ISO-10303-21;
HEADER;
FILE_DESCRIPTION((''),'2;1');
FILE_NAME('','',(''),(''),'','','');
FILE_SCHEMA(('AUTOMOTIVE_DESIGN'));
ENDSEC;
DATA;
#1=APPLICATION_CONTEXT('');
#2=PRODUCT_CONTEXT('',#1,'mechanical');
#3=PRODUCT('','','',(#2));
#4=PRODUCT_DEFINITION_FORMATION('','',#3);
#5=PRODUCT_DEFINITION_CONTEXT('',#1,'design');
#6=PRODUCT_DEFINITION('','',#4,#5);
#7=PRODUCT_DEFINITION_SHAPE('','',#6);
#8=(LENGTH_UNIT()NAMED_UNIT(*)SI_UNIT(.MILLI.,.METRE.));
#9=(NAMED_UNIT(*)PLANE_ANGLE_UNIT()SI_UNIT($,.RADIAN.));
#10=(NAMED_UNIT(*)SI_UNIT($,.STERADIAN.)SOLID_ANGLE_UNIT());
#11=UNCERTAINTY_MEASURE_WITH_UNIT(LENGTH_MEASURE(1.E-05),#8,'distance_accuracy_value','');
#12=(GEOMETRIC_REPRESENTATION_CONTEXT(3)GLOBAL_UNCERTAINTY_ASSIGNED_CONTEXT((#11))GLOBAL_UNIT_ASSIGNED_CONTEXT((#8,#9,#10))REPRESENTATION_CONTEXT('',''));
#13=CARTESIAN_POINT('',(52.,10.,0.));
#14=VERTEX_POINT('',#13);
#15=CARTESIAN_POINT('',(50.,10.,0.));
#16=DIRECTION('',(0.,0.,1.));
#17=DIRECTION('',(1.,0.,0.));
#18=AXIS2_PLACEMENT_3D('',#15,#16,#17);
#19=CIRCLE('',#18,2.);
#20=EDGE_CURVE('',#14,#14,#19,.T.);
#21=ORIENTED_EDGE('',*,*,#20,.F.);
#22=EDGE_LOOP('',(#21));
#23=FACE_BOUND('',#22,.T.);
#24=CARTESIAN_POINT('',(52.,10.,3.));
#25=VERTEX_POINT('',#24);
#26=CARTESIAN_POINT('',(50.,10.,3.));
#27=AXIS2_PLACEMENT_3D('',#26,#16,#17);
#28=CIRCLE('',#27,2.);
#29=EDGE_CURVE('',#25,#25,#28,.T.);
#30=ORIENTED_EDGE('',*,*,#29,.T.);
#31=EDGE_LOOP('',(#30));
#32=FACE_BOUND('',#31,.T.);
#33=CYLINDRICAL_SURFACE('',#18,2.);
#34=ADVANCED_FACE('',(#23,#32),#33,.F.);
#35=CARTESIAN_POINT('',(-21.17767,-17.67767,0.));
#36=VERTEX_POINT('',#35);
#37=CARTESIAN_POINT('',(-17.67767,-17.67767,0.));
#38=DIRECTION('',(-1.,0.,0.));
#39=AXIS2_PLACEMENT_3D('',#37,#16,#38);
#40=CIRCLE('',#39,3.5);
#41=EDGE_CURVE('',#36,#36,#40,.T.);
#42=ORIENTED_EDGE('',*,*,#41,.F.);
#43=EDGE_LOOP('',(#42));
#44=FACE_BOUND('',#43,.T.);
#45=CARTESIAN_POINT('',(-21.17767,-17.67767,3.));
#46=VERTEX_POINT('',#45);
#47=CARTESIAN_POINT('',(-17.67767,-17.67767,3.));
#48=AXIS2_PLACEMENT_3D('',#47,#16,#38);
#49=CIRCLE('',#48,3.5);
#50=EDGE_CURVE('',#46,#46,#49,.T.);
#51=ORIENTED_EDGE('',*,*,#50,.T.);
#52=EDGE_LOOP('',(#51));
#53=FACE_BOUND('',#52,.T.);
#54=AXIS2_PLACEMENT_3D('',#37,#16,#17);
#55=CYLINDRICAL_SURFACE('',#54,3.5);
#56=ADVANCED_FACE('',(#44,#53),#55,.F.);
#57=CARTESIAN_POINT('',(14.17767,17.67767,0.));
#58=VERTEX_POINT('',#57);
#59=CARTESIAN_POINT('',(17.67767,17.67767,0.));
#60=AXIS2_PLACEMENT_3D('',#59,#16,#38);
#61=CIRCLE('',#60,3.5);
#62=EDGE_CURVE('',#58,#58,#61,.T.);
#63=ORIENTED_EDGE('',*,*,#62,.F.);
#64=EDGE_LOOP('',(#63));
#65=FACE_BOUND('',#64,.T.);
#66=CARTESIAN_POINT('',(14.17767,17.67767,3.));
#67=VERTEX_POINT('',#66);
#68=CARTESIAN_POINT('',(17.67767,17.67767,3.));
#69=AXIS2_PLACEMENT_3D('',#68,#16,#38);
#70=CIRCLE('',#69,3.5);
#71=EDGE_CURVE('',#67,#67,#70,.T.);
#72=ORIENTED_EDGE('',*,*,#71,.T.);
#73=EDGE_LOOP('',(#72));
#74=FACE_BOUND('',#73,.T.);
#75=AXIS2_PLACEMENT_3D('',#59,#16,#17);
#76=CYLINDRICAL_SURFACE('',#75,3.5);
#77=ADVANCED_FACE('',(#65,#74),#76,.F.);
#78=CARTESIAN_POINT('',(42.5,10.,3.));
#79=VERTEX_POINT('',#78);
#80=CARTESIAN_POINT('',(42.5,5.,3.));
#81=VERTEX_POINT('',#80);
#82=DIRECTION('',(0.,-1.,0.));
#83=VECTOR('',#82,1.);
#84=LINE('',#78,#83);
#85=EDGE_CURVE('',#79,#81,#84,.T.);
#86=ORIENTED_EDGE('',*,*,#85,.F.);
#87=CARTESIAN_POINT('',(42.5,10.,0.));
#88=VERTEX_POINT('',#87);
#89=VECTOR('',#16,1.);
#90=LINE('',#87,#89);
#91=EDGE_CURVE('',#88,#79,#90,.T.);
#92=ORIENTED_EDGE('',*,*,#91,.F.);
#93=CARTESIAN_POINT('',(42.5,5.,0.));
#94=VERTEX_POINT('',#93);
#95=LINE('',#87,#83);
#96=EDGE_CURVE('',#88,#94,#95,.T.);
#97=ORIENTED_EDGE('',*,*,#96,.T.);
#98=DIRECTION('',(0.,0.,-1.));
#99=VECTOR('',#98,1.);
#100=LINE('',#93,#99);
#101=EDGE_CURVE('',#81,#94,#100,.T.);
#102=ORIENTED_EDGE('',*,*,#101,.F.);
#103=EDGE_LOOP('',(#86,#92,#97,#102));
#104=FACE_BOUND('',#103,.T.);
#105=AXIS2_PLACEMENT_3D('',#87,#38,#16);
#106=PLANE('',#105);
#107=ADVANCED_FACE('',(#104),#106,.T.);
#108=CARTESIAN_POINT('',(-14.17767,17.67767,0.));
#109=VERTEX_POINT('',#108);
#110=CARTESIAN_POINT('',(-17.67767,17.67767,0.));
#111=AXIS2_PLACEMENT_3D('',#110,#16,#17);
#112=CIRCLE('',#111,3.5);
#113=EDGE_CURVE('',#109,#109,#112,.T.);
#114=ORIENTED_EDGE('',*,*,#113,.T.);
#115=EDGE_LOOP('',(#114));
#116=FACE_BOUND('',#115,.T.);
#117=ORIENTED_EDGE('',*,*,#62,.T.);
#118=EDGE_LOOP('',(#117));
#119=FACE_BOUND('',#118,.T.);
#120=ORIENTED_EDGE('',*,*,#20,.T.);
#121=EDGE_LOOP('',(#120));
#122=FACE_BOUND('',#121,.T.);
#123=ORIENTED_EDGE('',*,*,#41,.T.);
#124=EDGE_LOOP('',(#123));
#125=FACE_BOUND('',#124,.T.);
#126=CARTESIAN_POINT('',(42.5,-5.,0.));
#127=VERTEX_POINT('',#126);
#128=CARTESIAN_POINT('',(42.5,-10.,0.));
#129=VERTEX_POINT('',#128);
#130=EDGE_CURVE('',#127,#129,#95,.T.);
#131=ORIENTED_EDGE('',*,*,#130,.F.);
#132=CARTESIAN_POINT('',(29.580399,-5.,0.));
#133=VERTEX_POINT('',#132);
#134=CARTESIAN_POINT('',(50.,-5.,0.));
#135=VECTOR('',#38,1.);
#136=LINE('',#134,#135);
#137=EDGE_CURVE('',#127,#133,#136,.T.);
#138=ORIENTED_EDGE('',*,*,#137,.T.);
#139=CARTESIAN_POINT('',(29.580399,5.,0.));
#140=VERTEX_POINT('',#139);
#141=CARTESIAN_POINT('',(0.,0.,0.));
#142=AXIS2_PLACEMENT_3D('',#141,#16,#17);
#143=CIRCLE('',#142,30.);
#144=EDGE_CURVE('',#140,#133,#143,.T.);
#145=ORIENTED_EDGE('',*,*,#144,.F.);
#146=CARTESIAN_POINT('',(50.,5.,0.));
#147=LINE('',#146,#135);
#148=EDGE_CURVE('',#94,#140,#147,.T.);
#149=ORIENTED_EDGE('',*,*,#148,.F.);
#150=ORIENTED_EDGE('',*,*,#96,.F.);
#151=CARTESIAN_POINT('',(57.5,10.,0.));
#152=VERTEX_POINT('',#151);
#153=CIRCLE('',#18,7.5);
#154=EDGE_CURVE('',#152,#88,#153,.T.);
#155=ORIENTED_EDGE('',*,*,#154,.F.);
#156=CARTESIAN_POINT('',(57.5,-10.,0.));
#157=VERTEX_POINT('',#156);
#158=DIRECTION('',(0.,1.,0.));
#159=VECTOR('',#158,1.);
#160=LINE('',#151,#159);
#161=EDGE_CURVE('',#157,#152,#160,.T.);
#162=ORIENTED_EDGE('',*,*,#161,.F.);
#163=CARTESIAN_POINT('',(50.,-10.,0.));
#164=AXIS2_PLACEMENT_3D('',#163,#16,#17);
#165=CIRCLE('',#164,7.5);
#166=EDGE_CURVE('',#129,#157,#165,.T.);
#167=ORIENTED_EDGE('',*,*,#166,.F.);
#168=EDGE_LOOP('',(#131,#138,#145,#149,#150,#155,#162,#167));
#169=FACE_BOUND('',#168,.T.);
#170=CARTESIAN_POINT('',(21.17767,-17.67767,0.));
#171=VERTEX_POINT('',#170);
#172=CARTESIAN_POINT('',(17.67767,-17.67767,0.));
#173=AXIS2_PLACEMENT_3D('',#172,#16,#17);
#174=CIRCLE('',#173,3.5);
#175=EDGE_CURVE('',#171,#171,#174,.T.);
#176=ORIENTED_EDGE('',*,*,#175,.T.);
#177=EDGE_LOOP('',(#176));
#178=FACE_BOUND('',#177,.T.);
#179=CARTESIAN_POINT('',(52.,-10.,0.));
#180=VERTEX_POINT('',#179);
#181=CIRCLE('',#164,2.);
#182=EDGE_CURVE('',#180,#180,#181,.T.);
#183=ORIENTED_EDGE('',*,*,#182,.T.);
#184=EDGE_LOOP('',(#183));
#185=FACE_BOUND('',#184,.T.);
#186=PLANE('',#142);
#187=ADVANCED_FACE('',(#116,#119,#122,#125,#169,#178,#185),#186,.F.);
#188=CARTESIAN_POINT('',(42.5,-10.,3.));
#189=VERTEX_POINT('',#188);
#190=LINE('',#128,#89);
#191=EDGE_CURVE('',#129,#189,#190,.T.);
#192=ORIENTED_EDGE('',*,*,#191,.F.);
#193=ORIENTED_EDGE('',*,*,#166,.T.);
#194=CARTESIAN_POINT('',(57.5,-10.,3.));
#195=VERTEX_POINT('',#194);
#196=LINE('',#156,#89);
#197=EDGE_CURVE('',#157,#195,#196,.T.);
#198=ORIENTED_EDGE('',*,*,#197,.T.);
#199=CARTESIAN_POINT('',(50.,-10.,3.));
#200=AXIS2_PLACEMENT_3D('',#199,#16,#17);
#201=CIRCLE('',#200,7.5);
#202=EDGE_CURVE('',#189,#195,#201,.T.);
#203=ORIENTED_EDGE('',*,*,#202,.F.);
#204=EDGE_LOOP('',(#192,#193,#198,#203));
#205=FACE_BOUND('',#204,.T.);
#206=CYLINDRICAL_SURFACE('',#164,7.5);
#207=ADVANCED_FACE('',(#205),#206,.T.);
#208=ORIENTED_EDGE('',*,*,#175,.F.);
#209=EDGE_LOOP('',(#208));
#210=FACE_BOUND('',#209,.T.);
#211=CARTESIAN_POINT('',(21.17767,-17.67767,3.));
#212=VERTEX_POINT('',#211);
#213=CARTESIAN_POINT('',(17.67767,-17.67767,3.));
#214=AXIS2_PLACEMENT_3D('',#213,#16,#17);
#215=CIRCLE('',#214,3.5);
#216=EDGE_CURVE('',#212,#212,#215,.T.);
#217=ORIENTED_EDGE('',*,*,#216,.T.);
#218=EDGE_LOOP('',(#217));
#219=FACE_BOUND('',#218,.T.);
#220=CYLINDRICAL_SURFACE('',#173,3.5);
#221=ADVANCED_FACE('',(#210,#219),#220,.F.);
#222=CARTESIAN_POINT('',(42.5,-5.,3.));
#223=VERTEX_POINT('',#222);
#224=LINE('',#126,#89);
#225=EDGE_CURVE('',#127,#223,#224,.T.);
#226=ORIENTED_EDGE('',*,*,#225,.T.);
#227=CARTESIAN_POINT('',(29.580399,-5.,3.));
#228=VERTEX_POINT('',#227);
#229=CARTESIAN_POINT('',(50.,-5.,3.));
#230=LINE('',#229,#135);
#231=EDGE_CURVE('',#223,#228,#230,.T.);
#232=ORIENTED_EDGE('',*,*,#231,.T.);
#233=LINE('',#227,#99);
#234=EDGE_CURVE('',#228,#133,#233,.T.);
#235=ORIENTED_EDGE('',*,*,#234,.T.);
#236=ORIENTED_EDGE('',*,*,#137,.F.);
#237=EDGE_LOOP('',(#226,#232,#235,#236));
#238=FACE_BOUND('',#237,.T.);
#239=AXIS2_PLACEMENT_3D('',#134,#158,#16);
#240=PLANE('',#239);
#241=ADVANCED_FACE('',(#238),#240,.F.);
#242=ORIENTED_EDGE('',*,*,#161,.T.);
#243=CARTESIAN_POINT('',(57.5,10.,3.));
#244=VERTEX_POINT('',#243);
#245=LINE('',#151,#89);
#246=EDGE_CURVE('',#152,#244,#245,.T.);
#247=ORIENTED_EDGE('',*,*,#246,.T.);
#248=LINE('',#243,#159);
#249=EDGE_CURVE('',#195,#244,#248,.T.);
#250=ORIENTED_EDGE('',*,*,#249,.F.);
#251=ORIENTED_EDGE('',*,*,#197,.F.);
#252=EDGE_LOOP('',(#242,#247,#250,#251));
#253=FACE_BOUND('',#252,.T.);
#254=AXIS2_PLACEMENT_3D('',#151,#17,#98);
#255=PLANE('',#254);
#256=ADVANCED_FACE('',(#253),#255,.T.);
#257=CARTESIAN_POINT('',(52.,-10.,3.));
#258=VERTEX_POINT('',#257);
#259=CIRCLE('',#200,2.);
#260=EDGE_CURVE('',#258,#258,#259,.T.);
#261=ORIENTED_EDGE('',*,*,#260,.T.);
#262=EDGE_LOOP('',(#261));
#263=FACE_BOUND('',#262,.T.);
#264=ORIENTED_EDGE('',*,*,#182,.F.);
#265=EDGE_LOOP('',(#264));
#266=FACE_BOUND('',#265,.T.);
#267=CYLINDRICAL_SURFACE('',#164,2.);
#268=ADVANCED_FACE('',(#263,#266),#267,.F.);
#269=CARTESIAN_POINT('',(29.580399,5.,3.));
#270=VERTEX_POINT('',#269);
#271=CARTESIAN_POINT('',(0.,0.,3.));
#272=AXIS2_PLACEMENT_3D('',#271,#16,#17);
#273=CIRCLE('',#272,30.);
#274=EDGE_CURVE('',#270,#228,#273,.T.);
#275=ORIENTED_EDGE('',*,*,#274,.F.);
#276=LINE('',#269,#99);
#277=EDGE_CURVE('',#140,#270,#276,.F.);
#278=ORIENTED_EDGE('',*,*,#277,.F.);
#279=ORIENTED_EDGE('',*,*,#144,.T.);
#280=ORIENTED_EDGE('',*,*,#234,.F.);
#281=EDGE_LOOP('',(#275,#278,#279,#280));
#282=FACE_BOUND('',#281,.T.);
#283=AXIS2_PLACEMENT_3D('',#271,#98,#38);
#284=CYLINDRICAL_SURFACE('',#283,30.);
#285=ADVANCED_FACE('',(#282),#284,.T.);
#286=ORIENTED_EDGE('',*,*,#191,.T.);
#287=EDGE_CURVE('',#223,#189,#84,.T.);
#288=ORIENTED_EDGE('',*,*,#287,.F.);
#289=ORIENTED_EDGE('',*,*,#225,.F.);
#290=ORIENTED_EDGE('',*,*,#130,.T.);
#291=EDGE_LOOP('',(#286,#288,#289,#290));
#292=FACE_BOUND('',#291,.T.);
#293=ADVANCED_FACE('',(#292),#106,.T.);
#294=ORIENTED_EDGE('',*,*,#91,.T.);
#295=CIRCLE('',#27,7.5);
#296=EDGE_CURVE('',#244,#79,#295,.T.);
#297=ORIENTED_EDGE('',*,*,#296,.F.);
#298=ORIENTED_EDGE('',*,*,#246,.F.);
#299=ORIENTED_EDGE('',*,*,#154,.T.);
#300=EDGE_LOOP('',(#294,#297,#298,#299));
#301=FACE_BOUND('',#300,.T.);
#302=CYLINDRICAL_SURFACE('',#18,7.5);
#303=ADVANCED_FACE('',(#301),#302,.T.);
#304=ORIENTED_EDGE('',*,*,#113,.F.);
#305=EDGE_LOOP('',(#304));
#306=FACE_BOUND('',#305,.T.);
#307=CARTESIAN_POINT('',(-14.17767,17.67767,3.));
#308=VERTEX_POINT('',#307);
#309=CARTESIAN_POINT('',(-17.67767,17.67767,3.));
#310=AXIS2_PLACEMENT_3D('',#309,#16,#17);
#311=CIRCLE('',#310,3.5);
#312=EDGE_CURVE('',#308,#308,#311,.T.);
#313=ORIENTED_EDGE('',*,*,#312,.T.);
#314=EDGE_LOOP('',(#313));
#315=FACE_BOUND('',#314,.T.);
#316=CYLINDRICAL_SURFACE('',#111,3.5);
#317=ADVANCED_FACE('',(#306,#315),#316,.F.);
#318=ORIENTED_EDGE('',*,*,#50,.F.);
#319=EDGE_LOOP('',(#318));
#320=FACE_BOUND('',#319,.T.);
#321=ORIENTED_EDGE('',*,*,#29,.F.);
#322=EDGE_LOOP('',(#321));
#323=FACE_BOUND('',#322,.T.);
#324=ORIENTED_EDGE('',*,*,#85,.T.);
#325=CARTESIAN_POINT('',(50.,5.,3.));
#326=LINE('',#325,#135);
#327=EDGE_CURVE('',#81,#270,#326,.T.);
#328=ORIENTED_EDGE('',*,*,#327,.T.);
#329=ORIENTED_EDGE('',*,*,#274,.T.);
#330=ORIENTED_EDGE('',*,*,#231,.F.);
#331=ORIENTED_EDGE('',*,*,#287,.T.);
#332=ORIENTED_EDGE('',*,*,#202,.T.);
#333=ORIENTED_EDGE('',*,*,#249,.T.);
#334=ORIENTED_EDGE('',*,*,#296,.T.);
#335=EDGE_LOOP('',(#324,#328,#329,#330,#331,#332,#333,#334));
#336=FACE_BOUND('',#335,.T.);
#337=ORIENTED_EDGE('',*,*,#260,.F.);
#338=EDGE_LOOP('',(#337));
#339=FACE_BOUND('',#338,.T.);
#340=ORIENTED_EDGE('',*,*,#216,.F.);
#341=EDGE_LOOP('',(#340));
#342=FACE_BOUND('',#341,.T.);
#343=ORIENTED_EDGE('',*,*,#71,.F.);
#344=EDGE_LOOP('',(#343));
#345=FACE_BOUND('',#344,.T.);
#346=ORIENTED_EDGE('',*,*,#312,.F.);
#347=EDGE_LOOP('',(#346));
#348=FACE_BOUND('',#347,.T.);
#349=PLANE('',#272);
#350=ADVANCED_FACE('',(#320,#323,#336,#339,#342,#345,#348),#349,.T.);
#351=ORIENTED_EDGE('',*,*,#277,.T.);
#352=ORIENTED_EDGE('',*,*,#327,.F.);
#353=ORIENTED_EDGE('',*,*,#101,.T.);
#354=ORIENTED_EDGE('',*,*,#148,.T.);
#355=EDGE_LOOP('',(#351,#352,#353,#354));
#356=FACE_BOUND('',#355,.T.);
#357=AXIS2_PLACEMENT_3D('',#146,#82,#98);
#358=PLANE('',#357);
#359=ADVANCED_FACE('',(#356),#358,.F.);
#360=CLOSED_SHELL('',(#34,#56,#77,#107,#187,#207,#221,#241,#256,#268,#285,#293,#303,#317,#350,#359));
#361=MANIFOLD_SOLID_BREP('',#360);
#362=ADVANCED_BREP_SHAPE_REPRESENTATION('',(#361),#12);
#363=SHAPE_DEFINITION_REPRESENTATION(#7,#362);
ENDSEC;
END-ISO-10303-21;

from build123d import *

# Parameters (mm, degrees)
SKETCH_2_R          = 30
EXTRUDE_1_DEPTH     = 3
SKETCH_3_R          = 3.5
CUT_EXTRUDE_1_DEPTH = 3
SKETCH_4_W          = 3
SKETCH_4_H          = 10
EXTRUDE_2_DEPTH     = 50
EXTRUDE_3_DEPTH     = 3
SKETCH_7_R          = 2
CUT_EXTRUDE_2_DEPTH = 3


with BuildPart() as part:
    # 草图2 → 凸台-拉伸1 (new body)
    with BuildSketch(Plane.XY):
        Circle(SKETCH_2_R)
    extrude(amount=EXTRUDE_1_DEPTH)

    # 草图3 → 切除-拉伸1 (cut)
    with BuildSketch(Plane.XY.offset(3)):
        with Locations((-17.67766953, 17.67766953)):
            Circle(SKETCH_3_R)
        with Locations(Location((17.67766953, 17.67766953, 0), (0, 0, 180))):
            Circle(SKETCH_3_R)
        with Locations((17.67766953, -17.67766953)):
            Circle(SKETCH_3_R)
        with Locations(Location((-17.67766953, -17.67766953, 0), (0, 0, 180))):
            Circle(SKETCH_3_R)
    extrude(amount=-CUT_EXTRUDE_1_DEPTH, mode=Mode.SUBTRACT)

    # 草图4 → 凸台-拉伸2 (add)
    with BuildSketch(Plane(origin=(0, 0, 0), x_dir=(0, 0, -1), z_dir=(1, 0, 0))):
        with Locations((-1.5, 0)):
            Rectangle(SKETCH_4_W, SKETCH_4_H)
    extrude(amount=EXTRUDE_2_DEPTH)

    # 草图5 → 凸台-拉伸3 (add)
    with BuildSketch(Plane.XY.offset(3)):
        with BuildLine():
            Line((57.5, 10), (57.5, -10))
            ThreePointArc((57.5, -10), (50, -17.5), (42.5, -10))
            Line((42.5, -10), (42.5, 10))
            ThreePointArc((42.5, 10), (50, 17.5), (57.5, 10))
        make_face()
    extrude(amount=-EXTRUDE_3_DEPTH)

    # 草图7 → 切除-拉伸2 (cut)
    with BuildSketch(Plane.XY.offset(3)):
        with Locations((50, 10)):
            Circle(SKETCH_7_R)
        with Locations((50, -10)):
            Circle(SKETCH_7_R)
    extrude(amount=-CUT_EXTRUDE_2_DEPTH, mode=Mode.SUBTRACT)


solid = part.part
